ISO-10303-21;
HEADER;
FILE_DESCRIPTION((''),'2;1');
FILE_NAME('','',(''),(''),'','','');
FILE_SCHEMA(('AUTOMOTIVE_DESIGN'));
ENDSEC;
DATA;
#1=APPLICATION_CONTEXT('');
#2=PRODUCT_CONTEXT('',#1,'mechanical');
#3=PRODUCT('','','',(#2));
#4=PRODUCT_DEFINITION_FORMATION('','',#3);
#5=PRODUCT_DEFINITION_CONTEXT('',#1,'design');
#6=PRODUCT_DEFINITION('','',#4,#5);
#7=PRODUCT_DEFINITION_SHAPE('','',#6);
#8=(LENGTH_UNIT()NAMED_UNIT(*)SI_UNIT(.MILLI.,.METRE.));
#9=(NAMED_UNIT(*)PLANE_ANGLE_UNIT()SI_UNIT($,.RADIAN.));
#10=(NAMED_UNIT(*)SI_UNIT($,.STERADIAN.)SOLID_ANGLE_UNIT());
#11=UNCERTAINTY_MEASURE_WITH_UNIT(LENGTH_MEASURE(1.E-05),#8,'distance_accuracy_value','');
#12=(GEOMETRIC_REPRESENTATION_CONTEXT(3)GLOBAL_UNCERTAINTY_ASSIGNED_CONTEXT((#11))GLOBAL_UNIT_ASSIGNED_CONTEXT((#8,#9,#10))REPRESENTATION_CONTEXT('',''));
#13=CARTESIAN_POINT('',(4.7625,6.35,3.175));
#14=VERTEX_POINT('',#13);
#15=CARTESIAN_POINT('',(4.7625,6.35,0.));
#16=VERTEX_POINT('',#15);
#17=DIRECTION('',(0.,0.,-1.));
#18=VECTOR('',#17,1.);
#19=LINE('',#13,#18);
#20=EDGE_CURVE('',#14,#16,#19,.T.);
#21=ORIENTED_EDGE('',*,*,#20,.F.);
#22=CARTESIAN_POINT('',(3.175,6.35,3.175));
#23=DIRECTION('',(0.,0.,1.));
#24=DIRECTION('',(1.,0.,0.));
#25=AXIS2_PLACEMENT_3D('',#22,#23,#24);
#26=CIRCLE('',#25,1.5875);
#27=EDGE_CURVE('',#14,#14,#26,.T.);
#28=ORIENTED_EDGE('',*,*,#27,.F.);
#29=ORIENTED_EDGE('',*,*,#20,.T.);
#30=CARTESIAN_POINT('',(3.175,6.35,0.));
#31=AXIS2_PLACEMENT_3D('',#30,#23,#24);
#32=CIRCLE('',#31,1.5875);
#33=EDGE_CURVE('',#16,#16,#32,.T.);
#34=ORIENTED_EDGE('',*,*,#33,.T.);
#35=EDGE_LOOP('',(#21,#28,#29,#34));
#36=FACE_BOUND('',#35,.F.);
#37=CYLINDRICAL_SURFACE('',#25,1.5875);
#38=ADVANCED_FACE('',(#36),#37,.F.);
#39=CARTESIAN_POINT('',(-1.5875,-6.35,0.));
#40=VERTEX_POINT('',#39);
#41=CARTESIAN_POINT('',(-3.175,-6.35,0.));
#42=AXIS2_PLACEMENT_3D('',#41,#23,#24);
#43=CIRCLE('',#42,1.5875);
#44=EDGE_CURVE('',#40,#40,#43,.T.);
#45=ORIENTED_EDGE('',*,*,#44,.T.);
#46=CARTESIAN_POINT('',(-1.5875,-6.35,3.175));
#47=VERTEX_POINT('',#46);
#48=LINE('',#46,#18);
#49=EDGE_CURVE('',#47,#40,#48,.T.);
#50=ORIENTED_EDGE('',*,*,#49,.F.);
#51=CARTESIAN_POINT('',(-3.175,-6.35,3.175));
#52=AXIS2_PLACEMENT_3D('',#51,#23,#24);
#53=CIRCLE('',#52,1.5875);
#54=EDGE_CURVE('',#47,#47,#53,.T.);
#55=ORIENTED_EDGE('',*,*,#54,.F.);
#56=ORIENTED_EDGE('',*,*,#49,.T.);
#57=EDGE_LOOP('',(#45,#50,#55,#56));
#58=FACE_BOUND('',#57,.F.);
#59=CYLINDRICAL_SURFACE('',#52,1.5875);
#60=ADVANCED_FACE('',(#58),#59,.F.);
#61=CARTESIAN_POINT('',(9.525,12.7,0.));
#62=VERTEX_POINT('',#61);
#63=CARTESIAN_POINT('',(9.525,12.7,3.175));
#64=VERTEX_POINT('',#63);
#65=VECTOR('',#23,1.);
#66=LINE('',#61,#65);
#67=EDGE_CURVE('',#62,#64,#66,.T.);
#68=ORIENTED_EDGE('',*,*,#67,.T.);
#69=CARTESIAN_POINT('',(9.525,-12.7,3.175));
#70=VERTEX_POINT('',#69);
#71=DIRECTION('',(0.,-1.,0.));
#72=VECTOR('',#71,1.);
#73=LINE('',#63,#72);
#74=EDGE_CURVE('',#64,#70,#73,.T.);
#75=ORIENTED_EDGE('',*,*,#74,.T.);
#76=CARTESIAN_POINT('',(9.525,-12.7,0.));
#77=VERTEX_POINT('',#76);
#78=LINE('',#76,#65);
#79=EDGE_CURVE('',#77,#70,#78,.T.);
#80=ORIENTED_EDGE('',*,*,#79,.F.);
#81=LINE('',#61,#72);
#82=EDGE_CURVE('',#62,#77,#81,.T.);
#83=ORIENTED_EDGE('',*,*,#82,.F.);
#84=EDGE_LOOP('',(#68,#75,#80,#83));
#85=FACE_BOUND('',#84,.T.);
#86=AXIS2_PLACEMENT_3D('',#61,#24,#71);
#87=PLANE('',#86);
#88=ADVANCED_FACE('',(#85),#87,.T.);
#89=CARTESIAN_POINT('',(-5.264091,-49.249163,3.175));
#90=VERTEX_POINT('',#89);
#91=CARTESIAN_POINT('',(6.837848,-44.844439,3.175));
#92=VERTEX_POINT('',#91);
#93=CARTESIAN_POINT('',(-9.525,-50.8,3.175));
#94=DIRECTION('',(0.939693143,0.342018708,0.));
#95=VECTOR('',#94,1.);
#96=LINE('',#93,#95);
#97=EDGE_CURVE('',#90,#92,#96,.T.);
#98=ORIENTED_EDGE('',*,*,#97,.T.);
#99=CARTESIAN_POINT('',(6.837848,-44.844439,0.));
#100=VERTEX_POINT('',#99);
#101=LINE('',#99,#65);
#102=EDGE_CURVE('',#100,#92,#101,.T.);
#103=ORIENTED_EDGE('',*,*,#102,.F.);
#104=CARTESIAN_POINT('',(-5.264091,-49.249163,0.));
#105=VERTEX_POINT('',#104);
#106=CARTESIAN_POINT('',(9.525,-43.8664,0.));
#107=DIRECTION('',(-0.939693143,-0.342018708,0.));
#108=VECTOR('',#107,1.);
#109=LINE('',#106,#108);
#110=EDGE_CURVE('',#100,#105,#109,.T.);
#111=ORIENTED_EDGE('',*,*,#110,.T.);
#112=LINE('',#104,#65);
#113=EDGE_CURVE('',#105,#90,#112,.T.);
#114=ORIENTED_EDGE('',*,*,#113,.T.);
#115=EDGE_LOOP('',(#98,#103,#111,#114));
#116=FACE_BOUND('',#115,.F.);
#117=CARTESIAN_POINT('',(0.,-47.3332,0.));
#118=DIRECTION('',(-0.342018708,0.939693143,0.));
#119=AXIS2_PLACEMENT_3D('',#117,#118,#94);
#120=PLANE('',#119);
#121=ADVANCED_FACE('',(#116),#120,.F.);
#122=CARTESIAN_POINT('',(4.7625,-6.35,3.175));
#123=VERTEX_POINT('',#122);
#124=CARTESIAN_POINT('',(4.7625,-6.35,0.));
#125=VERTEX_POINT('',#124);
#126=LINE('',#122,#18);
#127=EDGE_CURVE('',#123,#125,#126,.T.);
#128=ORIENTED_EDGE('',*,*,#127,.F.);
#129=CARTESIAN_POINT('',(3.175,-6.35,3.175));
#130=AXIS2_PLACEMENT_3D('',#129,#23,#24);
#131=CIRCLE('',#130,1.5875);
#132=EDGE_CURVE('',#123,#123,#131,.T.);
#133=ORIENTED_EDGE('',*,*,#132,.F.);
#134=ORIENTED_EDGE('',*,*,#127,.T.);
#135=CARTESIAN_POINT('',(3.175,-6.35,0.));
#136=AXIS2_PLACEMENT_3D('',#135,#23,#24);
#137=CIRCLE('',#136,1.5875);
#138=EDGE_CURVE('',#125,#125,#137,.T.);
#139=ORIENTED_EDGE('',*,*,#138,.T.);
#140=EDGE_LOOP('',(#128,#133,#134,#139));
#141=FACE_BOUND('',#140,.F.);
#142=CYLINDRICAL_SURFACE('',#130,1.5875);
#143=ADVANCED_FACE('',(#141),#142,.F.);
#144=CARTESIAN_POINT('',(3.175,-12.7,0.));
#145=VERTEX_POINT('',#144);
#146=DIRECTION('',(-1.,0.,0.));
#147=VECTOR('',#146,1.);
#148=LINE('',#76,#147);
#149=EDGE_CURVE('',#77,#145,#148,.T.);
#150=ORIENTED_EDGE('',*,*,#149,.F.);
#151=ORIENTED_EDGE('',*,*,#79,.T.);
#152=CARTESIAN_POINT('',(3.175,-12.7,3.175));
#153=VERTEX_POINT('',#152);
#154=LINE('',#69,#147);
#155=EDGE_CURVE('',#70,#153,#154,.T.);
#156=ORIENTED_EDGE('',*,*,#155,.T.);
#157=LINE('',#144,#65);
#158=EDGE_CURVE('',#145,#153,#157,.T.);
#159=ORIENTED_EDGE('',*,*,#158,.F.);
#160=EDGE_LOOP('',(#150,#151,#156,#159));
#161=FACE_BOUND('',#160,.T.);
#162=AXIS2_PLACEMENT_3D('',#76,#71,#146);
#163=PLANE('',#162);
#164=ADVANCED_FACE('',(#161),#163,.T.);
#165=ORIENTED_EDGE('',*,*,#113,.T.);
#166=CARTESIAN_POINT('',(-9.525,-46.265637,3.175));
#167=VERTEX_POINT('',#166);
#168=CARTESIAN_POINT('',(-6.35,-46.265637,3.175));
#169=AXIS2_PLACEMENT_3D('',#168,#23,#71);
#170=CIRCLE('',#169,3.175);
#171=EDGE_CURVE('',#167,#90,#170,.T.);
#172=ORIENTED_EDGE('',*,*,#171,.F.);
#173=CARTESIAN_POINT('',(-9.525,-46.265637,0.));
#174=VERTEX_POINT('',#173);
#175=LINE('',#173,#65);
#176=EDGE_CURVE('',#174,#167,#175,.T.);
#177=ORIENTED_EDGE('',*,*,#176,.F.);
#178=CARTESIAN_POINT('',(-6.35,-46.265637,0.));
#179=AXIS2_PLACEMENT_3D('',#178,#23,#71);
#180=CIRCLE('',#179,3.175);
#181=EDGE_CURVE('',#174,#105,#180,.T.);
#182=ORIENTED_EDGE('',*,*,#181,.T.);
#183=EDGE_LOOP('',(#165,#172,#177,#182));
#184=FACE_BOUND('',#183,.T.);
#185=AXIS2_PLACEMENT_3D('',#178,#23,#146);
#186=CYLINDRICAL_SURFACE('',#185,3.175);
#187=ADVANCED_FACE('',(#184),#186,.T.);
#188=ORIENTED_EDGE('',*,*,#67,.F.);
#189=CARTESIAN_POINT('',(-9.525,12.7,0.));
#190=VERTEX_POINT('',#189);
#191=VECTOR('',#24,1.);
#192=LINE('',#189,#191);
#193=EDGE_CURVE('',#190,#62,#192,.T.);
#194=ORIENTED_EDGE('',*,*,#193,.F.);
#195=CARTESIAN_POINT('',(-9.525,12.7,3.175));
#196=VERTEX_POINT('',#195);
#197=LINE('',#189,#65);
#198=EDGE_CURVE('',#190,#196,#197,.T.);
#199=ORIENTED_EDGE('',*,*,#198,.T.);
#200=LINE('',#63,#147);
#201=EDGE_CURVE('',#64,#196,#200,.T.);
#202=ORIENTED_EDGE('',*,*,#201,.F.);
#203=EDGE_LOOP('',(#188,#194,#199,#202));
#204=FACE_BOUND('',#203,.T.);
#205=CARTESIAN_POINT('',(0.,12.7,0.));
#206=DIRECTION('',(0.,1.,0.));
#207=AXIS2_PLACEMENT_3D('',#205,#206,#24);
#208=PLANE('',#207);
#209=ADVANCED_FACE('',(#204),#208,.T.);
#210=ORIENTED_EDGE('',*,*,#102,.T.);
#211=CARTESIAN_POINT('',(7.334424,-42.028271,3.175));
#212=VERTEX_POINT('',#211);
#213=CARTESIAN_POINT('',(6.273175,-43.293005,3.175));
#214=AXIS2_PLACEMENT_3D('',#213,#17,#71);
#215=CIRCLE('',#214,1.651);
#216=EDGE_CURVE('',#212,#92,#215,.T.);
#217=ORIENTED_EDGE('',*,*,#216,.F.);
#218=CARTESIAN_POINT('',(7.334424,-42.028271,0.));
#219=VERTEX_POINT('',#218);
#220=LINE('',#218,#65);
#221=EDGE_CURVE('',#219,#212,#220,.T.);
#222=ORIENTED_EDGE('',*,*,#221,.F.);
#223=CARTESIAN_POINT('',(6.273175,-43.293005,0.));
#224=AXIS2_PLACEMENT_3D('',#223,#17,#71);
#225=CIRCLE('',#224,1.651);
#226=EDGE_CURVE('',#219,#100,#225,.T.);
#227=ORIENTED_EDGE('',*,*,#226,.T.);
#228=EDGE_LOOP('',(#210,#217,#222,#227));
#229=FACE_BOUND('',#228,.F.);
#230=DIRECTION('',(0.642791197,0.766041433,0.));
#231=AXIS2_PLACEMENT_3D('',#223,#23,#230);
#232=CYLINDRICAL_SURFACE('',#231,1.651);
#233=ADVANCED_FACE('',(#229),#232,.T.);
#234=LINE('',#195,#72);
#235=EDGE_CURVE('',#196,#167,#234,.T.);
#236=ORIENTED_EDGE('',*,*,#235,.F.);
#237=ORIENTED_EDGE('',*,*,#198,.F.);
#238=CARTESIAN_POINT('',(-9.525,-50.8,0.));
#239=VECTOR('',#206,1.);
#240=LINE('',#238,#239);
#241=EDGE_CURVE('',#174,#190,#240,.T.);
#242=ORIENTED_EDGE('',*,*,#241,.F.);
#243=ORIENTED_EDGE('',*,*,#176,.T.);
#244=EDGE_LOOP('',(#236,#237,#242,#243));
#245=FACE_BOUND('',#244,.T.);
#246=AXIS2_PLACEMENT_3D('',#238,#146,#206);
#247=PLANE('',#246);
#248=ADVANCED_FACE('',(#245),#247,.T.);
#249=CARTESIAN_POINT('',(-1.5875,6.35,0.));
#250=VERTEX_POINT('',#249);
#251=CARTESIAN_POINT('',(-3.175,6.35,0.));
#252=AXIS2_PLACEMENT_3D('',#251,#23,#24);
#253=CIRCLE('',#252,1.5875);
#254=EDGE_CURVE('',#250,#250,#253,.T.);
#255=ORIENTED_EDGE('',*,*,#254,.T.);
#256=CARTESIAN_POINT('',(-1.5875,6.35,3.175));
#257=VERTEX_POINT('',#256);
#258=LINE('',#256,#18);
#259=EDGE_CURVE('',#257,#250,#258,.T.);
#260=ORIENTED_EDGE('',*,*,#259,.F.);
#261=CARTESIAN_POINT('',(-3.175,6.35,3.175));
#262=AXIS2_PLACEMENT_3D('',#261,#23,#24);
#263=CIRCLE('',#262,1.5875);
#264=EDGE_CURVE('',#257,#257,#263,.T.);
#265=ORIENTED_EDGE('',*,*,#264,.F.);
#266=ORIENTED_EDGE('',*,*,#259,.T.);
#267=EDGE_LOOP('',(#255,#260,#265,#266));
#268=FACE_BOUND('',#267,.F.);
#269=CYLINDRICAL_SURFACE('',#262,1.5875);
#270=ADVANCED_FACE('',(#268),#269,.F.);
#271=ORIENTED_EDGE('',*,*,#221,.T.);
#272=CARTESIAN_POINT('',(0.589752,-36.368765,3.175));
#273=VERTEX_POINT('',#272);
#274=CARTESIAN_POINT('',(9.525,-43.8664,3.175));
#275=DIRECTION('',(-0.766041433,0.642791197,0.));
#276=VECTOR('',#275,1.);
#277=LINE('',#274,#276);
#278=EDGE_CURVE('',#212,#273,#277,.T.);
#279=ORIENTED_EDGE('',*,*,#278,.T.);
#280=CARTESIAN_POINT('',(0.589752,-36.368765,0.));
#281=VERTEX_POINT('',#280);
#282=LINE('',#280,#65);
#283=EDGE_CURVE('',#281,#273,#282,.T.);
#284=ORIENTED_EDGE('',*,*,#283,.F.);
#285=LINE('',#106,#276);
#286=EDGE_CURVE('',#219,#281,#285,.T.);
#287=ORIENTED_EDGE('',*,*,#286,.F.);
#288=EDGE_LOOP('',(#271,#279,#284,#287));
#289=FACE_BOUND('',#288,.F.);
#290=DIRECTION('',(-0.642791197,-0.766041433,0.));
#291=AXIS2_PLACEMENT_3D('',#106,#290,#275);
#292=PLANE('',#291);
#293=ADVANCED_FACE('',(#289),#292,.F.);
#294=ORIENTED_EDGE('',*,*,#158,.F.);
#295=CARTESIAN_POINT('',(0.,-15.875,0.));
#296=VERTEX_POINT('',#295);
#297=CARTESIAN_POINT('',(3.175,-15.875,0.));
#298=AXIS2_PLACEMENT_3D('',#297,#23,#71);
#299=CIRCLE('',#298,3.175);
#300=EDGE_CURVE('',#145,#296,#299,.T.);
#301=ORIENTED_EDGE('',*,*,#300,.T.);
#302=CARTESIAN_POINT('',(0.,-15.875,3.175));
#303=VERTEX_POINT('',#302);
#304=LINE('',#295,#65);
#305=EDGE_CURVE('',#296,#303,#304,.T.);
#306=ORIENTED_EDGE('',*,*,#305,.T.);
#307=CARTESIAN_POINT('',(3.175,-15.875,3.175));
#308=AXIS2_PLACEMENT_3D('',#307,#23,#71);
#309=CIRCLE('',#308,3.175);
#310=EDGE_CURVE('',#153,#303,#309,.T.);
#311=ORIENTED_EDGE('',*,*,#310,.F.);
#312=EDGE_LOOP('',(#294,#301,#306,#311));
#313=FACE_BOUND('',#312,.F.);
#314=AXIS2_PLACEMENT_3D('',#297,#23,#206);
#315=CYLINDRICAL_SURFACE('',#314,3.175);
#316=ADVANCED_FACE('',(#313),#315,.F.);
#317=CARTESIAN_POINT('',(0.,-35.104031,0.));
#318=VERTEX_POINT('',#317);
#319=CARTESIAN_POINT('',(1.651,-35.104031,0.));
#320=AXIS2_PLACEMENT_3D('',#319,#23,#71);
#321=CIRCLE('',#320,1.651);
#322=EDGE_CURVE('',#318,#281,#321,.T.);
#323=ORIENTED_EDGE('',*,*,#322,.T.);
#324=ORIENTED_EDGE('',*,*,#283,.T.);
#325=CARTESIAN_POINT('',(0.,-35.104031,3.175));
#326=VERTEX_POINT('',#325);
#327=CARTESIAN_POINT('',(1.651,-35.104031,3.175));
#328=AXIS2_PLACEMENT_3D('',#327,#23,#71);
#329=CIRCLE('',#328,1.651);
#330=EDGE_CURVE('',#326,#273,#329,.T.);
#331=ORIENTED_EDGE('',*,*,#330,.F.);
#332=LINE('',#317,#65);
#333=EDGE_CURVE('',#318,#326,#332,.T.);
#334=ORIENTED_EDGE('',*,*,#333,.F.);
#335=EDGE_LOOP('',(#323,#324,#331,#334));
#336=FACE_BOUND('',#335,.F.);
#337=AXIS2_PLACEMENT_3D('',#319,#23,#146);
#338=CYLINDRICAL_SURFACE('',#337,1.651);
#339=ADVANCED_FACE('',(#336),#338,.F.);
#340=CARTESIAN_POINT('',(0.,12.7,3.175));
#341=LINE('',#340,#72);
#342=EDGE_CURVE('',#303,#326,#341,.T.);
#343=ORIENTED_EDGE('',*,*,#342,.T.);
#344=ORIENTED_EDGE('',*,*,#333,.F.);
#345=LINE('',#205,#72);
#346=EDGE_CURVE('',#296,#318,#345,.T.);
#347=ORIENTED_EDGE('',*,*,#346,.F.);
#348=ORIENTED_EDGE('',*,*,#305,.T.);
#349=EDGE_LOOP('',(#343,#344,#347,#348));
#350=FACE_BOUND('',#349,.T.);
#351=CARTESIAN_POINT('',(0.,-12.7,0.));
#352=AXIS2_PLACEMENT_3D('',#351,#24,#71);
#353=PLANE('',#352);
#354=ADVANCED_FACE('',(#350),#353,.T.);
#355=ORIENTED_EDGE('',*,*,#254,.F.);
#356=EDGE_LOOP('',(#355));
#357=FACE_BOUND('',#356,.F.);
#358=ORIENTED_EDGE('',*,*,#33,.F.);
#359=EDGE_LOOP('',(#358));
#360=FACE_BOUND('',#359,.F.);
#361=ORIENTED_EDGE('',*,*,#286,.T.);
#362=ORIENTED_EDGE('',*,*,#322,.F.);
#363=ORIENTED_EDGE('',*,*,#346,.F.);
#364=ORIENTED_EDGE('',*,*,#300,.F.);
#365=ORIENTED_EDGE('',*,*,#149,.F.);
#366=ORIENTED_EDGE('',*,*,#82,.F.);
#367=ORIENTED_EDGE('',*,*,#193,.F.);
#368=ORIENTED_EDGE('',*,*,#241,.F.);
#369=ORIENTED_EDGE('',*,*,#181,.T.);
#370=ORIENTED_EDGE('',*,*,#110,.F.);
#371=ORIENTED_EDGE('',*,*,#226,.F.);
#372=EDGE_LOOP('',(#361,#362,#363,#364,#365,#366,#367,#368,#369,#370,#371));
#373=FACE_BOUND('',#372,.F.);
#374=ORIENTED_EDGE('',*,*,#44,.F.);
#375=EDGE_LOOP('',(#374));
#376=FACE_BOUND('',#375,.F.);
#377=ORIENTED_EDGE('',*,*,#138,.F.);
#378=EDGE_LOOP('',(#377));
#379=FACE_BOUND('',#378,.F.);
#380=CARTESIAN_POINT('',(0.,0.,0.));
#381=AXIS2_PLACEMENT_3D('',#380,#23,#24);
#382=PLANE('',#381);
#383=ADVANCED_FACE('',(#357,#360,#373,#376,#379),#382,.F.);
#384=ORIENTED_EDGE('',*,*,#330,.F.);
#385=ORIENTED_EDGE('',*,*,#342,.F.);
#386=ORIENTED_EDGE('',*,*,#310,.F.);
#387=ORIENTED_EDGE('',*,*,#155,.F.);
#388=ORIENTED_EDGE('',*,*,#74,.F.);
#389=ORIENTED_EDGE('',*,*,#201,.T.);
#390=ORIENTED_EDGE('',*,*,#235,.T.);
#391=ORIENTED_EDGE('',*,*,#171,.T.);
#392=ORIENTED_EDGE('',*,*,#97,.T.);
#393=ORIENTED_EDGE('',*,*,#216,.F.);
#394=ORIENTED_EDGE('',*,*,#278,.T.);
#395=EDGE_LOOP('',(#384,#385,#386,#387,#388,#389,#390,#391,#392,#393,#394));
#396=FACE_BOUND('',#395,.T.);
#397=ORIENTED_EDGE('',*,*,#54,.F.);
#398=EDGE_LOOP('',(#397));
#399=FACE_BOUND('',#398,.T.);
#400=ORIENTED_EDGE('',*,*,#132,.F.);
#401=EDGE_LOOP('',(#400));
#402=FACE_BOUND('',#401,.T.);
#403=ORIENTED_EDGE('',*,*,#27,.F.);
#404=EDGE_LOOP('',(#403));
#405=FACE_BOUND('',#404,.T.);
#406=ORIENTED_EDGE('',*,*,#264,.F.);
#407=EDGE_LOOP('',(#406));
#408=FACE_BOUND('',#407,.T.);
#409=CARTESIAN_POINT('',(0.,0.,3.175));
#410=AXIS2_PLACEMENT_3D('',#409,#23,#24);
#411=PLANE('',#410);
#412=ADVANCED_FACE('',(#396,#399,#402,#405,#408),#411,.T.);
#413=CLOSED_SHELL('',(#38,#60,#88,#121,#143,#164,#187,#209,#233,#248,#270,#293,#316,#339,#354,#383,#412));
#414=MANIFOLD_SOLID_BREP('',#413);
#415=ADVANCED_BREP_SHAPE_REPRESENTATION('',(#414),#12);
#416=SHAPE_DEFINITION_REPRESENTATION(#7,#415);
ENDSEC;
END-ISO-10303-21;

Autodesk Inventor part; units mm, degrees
ref_plane "YZ Plane" through (0, 0, 0) normal (1, 0, 0) x (0, 1, 0)
ref_plane "XZ Plane" through (0, 0, 0) normal (0, 1, 0) x (-1, 0, 0)
ref_plane "XY Plane" through (0, 0, 0) normal (0, 0, 1) x (1, 0, 0)
sketch "Sketch1" plane through (0, 0, 0) normal (0, 0, 1) x (1, 0, 0)
  line L0 (9.525, -12.7) -> (-9.525, -12.7)
  line L1 (-9.525, -12.7) -> (-9.525, 12.7)
  line L2 (-9.525, 12.7) -> (9.525, 12.7)
  line L3 (9.525, 12.7) -> (9.525, -12.7)
  line L4 (9.525, -12.7) -> (-9.525, 12.7) construction
  line L5 (-9.525, -12.7) -> (9.525, 12.7) construction
  line L6 (-9.525, 12.7) -> (0, 12.7)
  line L7 (0, 12.7) -> (0, -50.8)
  line L8 (0, -50.8) -> (-9.525, -50.8)
  line L9 (-9.525, -50.8) -> (-9.525, 12.7)
  line L10 (-9.525, -50.8) -> (9.525, -43.8664)
  line L11 (-9.525, -50.8) -> (10.7476, -50.8) construction
  line L12 (9.525, -43.8664) -> (0, -35.8739)
  point P0 (0, 0)
  point P1 (0, -12.7)
  dimension "d0" = 19.05
  dimension "d1" = 25.4
  dimension "d2" = 63.5
  dimension "d3" = 20
  dimension "d4" = 60
extrude "Extrusion1" add sketch "Sketch1" along normal blind 3.175 contours L0 L7 L2 L3 | L7 L10 L9 L0 | L0 L1 L2 L7 | L12 L10 L7
sketch "Sketch2" plane through (0, 0, 3.175) normal (0, 0, 1) x (1, 0, 0)
  line L0 (-9.525, 12.7) -> (-9.525, -50.8) construction
  line L1 (-9.525, 0) -> (9.525, 0) construction
  line L2 (9.525, -12.7) -> (9.525, 12.7) construction
  line L3 (9.525, 12.7) -> (-9.525, 12.7) construction
  line L4 (0, -35.8739) -> (0, -12.7) construction
  line L5 (0, 12.7) -> (0, -12.7) construction
  circle A0 centre (3.175, 6.35) radius 1.5875
  circle A1 centre (3.175, -6.35) radius 1.5875
  circle A2 centre (-3.175, -6.35) radius 1.5875
  circle A3 centre (-3.175, 6.35) radius 1.5875
  line L6 (0, -12.7) -> (9.525, -12.7) projected
  point P0 (0, 0)
  dimension "d7" = 3.175
  dimension "d8" = 3.175
  dimension "d9" = 3.175
  dimension "d10" = 3.175
  dimension "d11" = 6.35
  dimension "d12" = 6.35
  dimension "d13" = 6.35
  dimension "d14" = 6.35
  dimension "d15" = 6.35
  dimension "d16" = 6.35
  dimension "d17" = 6.35
  dimension "d18" = 6.35
  dimension "d19" = 12.7
extrude "Extrusion2" cut sketch "Sketch2" against normal through all
fillet "Fillet1" radius 3.175 2 edges at (-9.525, -50.8, 1.5875) (0, -12.7, 1.5875)
fillet "Fillet2" radius 1.651 2 edges at (9.525, -43.8664, 1.5875) (0, -35.8739, 1.5875)
properties part number "CS_Climb_Hooks"
